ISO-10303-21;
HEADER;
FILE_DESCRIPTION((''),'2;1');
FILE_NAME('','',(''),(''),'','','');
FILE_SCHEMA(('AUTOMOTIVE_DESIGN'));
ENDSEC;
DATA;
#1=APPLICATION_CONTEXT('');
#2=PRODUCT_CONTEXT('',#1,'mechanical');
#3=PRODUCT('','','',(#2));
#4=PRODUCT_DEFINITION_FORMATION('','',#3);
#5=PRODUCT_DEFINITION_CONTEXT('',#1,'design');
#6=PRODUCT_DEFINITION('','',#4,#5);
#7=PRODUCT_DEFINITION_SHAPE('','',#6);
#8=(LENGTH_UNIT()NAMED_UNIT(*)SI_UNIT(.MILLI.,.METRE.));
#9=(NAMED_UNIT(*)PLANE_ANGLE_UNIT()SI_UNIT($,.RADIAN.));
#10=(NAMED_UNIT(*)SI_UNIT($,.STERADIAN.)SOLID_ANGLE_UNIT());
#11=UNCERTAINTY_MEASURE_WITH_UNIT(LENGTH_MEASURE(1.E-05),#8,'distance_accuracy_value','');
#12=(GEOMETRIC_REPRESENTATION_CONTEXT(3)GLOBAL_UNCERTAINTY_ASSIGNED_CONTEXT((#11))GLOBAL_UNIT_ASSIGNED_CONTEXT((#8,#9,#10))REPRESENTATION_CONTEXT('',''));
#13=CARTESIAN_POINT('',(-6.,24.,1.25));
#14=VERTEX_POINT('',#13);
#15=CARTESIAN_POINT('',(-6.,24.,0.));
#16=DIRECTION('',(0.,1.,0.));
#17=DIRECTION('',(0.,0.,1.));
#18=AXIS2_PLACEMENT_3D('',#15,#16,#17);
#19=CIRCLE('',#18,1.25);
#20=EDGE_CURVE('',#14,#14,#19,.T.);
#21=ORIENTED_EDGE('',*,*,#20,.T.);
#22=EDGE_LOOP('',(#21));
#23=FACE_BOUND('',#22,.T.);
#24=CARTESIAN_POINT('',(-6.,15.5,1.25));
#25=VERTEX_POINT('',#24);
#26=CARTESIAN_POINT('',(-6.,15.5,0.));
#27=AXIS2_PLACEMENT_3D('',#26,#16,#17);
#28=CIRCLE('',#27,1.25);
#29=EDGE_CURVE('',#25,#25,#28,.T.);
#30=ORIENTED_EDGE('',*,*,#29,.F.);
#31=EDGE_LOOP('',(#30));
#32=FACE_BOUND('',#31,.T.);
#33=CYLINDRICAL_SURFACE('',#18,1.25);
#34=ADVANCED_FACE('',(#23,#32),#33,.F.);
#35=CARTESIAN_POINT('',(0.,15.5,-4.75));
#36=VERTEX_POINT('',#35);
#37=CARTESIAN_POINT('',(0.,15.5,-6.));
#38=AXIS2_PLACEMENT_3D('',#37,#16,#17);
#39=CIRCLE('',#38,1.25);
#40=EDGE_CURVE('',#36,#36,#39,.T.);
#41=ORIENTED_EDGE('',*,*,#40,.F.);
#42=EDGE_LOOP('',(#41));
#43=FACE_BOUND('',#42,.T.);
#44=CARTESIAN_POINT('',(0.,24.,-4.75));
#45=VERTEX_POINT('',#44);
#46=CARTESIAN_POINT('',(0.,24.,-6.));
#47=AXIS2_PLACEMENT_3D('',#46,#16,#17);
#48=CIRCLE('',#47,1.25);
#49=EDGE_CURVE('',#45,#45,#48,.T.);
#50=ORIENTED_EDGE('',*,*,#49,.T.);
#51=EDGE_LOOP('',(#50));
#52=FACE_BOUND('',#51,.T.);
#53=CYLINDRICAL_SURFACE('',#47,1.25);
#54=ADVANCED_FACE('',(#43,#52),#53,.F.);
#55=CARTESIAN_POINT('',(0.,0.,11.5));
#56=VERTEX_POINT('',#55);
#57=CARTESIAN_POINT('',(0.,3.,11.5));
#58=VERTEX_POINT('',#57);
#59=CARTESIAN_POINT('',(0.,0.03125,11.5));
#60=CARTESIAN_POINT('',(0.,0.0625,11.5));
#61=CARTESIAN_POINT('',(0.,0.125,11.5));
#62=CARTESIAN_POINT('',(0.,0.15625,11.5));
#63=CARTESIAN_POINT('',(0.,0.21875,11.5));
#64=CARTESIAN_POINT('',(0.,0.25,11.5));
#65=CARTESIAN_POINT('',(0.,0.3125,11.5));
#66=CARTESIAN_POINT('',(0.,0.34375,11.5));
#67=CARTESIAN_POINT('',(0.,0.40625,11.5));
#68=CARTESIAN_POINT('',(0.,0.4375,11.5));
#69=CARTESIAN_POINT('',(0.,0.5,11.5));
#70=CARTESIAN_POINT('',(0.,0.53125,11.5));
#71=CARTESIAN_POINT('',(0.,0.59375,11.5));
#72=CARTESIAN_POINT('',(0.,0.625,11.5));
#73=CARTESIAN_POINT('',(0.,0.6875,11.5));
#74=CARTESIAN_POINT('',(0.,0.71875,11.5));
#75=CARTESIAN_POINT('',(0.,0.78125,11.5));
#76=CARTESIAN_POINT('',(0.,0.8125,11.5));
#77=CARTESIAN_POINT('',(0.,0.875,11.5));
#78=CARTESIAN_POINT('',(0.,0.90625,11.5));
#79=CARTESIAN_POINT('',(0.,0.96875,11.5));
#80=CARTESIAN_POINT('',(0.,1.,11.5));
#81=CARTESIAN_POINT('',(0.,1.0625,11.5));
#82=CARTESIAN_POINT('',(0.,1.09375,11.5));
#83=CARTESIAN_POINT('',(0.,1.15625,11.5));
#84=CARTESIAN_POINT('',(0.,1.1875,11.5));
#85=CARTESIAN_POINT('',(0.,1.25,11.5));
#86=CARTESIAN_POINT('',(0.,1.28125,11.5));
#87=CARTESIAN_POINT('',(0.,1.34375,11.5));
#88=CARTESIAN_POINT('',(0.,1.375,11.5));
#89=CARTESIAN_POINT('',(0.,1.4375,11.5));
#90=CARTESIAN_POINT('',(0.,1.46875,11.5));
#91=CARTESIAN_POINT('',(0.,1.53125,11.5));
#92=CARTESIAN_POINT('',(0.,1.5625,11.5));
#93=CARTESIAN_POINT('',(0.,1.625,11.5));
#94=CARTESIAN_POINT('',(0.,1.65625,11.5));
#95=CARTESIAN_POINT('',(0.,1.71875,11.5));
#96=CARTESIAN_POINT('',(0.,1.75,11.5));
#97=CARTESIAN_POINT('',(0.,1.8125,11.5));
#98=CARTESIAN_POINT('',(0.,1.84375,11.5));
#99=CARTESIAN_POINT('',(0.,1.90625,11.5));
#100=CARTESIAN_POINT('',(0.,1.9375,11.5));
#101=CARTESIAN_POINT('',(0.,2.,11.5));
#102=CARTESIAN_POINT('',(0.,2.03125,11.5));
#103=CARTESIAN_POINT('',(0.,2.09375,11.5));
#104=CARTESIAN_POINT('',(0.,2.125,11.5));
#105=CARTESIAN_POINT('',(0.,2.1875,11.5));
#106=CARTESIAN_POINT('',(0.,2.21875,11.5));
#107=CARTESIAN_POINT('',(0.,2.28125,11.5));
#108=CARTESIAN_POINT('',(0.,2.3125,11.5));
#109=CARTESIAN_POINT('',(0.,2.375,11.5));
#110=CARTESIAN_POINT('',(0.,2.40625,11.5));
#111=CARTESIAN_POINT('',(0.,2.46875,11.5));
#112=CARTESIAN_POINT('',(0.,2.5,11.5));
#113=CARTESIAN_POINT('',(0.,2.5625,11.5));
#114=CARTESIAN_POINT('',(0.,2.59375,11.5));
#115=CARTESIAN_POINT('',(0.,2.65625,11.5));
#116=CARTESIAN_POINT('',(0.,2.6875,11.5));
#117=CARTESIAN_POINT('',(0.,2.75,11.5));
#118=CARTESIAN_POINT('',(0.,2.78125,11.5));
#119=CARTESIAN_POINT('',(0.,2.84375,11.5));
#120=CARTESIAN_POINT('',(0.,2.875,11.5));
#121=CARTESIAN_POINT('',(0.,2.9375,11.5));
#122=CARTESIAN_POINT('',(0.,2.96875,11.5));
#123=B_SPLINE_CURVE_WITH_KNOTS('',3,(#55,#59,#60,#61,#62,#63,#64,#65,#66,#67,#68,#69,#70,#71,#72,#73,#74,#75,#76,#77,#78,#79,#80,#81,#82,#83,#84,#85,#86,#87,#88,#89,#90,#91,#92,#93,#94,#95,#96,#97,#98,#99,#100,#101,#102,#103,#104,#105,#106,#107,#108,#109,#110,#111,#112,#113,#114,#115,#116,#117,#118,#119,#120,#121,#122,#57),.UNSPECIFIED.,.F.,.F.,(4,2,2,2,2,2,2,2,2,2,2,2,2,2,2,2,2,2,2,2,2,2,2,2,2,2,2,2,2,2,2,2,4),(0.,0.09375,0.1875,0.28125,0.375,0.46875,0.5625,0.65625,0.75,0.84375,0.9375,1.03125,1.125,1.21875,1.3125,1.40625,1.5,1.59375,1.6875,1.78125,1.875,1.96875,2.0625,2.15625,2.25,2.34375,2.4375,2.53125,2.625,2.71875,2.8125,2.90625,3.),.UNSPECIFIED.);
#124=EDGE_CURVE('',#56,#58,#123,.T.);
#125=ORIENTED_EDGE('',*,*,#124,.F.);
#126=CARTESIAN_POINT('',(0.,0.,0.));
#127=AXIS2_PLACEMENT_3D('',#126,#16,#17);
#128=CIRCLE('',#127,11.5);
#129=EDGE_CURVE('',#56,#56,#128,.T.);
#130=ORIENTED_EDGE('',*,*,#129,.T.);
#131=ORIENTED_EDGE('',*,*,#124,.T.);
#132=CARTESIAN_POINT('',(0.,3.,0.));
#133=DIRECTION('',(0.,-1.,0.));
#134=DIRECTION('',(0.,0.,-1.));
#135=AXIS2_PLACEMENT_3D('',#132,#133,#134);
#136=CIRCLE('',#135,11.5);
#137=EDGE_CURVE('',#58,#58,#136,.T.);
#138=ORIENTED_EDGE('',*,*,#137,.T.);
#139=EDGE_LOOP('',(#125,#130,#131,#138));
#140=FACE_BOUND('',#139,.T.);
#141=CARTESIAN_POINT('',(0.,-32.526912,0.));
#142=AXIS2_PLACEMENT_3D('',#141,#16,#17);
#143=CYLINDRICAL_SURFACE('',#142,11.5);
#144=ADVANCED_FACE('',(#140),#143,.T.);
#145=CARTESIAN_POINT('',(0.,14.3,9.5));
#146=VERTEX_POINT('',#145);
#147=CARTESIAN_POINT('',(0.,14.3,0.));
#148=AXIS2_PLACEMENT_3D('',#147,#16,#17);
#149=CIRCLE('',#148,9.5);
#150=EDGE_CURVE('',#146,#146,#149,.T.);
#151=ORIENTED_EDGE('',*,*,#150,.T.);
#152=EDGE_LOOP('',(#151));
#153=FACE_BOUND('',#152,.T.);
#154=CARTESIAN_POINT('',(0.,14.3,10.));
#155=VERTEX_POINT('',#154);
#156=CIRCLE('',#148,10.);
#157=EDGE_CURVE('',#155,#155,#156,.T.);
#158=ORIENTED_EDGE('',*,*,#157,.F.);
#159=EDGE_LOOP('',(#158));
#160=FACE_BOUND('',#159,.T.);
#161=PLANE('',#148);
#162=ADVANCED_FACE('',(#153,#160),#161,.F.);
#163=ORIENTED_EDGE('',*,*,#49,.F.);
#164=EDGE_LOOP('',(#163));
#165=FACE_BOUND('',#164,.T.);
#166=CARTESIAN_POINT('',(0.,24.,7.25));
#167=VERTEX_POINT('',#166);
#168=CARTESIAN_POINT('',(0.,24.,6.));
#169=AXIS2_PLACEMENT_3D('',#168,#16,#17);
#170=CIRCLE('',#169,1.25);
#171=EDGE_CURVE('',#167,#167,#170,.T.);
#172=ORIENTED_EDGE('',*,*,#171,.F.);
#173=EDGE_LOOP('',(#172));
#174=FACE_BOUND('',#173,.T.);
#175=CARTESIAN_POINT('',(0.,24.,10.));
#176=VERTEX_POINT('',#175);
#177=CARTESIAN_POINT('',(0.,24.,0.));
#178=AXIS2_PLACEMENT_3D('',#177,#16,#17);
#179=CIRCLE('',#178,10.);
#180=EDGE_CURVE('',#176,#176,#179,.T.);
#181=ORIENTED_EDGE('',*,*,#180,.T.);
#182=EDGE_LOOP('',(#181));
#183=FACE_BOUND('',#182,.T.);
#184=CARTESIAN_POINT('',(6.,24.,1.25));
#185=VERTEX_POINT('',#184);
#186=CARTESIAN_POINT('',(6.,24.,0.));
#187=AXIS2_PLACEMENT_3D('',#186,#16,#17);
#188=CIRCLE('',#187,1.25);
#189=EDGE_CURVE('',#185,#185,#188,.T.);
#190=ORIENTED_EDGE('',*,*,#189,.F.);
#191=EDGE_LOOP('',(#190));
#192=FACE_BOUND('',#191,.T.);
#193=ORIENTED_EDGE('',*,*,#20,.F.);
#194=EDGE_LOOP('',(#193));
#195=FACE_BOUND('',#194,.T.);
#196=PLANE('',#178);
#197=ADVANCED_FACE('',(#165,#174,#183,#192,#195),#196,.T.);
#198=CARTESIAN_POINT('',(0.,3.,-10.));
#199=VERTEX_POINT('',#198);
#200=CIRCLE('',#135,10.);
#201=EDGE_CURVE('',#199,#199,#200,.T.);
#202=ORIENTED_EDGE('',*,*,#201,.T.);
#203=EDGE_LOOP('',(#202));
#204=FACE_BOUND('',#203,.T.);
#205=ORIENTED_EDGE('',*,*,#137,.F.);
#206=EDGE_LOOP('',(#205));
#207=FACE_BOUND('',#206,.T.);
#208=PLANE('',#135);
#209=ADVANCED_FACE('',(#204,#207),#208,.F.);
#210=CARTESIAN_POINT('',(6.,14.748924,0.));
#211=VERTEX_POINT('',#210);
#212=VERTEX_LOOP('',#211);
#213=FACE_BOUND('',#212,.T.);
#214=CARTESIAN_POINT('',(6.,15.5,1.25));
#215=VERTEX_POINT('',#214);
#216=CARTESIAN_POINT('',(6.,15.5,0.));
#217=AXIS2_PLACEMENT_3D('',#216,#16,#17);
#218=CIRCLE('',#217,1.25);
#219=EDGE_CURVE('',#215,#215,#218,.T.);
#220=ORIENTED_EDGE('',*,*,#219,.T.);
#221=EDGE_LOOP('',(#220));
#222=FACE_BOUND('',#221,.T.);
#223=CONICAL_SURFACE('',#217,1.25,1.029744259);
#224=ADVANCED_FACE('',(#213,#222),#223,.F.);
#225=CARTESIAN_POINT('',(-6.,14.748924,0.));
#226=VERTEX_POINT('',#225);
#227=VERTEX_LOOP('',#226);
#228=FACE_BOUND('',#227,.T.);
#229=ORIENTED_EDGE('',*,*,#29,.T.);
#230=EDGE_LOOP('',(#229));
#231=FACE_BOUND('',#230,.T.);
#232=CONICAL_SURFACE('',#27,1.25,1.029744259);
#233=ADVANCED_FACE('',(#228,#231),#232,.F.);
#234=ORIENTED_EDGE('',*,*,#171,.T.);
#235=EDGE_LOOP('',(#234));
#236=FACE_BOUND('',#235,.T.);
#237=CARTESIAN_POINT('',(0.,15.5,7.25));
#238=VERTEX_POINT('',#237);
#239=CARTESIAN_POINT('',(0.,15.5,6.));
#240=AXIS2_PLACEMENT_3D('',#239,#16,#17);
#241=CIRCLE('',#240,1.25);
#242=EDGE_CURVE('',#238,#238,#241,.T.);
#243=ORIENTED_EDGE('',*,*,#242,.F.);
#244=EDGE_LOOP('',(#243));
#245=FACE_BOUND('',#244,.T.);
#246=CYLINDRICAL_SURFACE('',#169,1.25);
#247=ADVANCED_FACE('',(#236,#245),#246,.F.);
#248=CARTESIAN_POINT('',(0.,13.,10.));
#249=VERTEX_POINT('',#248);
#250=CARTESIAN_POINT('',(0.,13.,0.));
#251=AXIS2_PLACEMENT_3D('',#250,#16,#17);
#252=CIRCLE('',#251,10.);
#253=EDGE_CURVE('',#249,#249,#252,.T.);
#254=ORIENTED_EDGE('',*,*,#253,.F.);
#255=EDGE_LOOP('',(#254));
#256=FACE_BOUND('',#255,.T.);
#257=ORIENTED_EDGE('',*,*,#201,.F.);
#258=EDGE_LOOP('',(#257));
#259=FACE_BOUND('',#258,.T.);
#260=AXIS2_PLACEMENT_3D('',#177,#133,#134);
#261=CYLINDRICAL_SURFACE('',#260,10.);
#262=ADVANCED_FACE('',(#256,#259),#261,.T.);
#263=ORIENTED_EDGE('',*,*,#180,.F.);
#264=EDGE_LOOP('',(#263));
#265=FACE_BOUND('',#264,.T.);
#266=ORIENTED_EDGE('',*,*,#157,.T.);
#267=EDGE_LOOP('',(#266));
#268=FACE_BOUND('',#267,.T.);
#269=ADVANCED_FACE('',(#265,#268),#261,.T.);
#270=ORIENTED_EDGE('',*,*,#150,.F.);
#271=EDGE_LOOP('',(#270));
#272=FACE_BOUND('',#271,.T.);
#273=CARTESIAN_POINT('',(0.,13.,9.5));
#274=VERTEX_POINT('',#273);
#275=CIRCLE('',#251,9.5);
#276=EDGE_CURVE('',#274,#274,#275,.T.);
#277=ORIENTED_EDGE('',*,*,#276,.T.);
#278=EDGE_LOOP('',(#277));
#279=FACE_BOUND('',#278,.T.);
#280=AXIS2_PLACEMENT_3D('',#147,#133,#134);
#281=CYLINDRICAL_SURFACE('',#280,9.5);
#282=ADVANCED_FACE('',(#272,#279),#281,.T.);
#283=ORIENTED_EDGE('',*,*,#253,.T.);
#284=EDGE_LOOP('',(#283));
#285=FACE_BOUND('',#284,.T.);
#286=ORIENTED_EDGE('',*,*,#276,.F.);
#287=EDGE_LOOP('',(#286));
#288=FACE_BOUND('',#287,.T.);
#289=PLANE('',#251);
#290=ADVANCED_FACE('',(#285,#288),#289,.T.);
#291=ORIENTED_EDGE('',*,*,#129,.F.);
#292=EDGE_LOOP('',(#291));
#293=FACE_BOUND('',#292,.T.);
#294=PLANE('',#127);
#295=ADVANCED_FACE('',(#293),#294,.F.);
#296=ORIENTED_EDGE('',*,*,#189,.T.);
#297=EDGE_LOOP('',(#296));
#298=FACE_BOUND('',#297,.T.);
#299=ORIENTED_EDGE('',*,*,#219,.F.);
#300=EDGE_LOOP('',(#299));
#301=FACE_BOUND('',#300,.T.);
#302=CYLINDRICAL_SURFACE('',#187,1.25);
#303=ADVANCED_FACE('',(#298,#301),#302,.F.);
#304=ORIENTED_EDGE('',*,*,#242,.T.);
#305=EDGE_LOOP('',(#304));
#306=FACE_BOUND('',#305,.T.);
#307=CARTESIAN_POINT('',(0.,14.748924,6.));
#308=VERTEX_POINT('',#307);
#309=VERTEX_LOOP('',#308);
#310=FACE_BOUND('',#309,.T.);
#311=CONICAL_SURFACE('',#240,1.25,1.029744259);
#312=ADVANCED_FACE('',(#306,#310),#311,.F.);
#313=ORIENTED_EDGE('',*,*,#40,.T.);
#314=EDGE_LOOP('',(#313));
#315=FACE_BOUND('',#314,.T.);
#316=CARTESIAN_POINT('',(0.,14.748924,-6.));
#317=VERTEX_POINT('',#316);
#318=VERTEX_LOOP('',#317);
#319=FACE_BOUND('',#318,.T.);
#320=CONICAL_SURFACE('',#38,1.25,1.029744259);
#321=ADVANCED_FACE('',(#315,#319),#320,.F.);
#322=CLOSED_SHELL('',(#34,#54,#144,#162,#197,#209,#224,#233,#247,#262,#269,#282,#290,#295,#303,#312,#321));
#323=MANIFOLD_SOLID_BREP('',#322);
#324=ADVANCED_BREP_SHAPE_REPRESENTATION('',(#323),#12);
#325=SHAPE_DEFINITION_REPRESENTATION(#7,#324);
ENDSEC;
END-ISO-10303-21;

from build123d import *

# Parameters (mm, degrees)
SKETCH_1_R          = 10
EXTRUDE_1_DEPTH     = 24
M3X0_52_D           = 2.5
M3X0_52_DEPTH       = 8.5
M3X0_52_TIP         = 0.751075774
EXTRUDE_START       = 3
SKETCH_10_R         = 11.5
SKETCH_10_R_2       = 10
EXTRUDE_2_DEPTH     = 3
SKETCH_8_R          = 10
SKETCH_8_R_2        = 9.5
CUT_EXTRUDE_1_DEPTH = 1.3


with BuildPart() as part:
    # Эскиз1 → Бобышка-Вытянуть1 (new body)
    with BuildSketch(Plane(origin=(0, 0, 0), x_dir=(1, 0, 0), z_dir=(0, 1, 0))):
        with Locations(Location((0, 0, 0), (0, 0, 270))):
            Circle(SKETCH_1_R)
    extrude(amount=EXTRUDE_1_DEPTH)

    # Отверстие обработанное метчиком M3x0.52
    with Locations(Plane(origin=(-4.838819278, 24, -4.760025704), x_dir=(-1, 0, 0), z_dir=(0, 1, 0))):
        with Locations((-4.838819278, -1.239974296), (-10.838819278, 4.760025704), (-4.838819278, 10.760025704), (1.161180722, 4.760025704)):
            Hole(M3X0_52_D / 2, depth=M3X0_52_DEPTH)
            with Locations((0, 0, -(M3X0_52_DEPTH + M3X0_52_TIP / 2))):  # 118° drill point
                Cone(0, M3X0_52_D / 2, M3X0_52_TIP, mode=Mode.SUBTRACT)

    # Эскиз10 → Бобышка-Вытянуть2 (add)
    with BuildSketch(Plane(origin=(0, 3, 0), x_dir=(-1, 0, 0), z_dir=(0, -1, 0)).offset(EXTRUDE_START)):
        with Locations(Location((0, 0, 0), (0, 0, 270))):
            Circle(SKETCH_10_R)
        with Locations(Location((0, 0, 0), (0, 0, 90))):
            Circle(SKETCH_10_R_2, mode=Mode.SUBTRACT)
    extrude(amount=-EXTRUDE_2_DEPTH)

    # Эскиз8 → Вырез-Вытянуть1 (cut)
    with BuildSketch(Plane(origin=(0, 13, 0), x_dir=(1, 0, 0), z_dir=(0, 1, 0))):
        with Locations(Location((0, 0, 0), (0, 0, 270))):
            Circle(SKETCH_8_R)
        with Locations(Location((0, 0, 0), (0, 0, 270))):
            Circle(SKETCH_8_R_2, mode=Mode.SUBTRACT)
    extrude(amount=CUT_EXTRUDE_1_DEPTH, mode=Mode.SUBTRACT)


solid = part.part
